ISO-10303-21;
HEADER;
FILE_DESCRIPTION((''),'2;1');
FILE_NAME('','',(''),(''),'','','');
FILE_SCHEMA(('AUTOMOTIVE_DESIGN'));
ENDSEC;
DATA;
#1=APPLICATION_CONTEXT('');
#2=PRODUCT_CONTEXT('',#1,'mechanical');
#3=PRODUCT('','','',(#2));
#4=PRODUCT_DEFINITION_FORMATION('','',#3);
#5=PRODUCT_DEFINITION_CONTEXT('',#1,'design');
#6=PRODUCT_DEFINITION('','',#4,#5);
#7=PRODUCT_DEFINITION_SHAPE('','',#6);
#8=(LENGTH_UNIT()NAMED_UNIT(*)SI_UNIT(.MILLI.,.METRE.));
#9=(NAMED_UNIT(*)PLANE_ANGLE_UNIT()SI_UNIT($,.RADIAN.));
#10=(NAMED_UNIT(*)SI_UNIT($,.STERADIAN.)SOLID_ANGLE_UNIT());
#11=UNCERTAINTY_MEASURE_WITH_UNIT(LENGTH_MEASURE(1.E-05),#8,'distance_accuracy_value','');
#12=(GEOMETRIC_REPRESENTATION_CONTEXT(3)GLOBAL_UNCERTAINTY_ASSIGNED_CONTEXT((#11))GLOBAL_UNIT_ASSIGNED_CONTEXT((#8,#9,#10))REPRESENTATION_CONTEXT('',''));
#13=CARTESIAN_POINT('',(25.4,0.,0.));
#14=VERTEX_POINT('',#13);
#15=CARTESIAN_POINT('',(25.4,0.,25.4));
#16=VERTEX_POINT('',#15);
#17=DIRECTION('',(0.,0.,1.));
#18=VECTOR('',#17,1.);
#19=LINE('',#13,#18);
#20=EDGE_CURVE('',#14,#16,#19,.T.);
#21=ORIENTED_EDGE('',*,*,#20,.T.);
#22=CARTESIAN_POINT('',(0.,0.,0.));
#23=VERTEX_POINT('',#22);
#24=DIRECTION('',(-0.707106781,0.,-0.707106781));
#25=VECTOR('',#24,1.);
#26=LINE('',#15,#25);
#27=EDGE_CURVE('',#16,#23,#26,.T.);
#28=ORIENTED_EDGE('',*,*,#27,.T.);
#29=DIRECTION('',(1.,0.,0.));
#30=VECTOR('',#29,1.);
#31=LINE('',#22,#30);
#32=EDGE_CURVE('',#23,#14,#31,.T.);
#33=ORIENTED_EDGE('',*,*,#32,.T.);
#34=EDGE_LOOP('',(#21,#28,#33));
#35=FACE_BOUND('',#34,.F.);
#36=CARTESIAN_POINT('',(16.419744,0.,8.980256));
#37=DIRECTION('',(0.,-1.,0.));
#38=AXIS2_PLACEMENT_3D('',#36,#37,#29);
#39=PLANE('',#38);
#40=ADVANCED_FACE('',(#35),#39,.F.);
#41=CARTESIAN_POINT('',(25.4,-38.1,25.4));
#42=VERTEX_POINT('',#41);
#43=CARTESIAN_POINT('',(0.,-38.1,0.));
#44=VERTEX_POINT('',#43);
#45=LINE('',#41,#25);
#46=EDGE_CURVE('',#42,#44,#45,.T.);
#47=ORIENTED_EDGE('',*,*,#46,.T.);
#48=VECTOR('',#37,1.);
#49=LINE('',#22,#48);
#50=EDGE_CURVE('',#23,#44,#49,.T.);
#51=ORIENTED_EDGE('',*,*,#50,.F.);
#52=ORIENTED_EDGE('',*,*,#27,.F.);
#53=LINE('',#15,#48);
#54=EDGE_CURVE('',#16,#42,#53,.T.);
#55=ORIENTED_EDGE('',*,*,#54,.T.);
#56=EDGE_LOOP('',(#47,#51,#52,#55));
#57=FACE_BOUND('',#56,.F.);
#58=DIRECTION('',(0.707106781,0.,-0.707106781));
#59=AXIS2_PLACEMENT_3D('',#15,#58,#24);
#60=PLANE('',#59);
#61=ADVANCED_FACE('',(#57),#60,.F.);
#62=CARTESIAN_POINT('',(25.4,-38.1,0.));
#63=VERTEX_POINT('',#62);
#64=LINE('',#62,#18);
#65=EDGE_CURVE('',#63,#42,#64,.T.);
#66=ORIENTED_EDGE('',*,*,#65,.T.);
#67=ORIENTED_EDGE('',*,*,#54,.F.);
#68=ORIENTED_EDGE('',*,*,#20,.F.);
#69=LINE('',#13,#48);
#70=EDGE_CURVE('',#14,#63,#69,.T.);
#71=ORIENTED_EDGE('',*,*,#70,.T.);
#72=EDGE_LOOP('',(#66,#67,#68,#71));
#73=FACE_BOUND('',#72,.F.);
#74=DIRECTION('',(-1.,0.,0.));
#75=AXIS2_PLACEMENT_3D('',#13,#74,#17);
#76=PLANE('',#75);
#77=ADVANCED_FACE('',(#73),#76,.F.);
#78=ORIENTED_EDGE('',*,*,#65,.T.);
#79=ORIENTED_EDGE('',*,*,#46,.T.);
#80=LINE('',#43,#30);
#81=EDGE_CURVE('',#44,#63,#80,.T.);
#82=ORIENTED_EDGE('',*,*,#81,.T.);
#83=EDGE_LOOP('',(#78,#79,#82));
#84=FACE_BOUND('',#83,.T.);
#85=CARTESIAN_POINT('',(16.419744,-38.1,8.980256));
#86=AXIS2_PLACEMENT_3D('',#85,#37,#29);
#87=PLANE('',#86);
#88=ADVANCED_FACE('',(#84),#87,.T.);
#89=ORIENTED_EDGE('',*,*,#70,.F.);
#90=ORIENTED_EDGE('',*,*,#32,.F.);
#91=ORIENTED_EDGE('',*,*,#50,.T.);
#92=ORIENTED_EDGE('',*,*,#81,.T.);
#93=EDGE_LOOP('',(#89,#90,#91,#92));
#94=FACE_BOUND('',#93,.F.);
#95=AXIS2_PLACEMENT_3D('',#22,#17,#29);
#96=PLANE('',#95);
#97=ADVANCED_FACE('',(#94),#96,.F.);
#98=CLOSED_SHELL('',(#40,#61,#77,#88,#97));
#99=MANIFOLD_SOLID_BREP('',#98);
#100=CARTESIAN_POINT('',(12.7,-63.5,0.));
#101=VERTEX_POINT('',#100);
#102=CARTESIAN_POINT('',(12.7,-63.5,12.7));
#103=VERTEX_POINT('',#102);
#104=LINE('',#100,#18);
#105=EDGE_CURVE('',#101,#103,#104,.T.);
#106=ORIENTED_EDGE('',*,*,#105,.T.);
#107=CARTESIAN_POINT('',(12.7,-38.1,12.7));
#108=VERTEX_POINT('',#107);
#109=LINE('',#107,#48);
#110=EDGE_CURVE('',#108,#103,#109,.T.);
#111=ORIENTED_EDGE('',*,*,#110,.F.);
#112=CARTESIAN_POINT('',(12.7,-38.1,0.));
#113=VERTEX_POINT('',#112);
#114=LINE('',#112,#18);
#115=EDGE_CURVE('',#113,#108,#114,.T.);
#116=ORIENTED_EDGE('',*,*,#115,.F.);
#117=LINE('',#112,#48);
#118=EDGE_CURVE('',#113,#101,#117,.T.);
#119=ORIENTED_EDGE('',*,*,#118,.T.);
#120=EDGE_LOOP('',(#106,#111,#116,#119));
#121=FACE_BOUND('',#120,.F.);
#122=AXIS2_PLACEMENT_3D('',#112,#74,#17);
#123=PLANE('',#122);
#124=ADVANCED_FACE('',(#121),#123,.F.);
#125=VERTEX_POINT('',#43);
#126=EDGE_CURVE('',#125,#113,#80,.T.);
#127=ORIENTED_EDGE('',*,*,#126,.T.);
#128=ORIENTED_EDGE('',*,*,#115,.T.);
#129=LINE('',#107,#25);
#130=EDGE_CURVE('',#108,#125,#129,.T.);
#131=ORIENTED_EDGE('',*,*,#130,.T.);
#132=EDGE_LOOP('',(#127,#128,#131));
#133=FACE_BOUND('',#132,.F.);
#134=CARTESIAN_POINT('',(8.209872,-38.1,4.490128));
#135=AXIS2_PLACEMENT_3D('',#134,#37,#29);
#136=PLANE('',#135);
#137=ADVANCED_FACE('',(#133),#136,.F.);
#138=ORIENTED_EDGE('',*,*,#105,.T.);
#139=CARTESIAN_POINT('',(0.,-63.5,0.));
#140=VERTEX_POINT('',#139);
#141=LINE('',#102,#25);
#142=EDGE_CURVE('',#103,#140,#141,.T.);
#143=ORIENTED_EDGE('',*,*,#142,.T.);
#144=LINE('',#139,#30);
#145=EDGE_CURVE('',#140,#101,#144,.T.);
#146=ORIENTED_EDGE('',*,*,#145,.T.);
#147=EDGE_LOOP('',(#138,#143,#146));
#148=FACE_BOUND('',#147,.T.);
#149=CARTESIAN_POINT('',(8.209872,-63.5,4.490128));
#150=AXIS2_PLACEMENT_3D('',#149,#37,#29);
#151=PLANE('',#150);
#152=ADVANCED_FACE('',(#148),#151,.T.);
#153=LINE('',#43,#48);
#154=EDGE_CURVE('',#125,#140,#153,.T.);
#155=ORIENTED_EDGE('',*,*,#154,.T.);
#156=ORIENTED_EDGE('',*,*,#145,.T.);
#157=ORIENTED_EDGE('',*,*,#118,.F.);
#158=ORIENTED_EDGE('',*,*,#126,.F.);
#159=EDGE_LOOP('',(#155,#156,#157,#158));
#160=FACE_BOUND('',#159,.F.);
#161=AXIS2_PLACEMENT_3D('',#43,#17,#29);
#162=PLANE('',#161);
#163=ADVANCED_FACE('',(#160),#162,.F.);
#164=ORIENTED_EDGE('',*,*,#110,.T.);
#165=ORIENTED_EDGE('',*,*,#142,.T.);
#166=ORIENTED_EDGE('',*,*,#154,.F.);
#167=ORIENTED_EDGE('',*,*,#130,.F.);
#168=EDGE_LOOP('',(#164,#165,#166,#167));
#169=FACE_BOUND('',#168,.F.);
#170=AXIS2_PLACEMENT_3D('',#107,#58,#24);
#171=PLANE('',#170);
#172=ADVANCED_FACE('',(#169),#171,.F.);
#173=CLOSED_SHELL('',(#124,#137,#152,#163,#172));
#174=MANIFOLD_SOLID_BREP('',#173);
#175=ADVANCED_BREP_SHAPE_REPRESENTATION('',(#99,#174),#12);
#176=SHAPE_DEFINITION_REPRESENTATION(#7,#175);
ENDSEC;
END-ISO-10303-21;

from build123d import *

# Parameters (mm, degrees)
F1_DEPTH = 38.1
F3_DEPTH = 25.4


with BuildPart() as f1:
    # F0 (on Front) → F1 (new body)
    with BuildSketch(Plane.XZ):
        Polygon((25.4, 25.4), (0, 0), (25.4, 0), align=None)
    extrude(amount=F1_DEPTH)


with BuildPart() as f3:
    # F2 (on face) → F3 (new body)
    with BuildSketch(Plane.XZ.offset(38.1)):
        Polygon((12.7, 12.7), (0, 0), (12.7, 0), align=None)
    extrude(amount=F3_DEPTH)


solid = Compound([f1.part, f3.part])
